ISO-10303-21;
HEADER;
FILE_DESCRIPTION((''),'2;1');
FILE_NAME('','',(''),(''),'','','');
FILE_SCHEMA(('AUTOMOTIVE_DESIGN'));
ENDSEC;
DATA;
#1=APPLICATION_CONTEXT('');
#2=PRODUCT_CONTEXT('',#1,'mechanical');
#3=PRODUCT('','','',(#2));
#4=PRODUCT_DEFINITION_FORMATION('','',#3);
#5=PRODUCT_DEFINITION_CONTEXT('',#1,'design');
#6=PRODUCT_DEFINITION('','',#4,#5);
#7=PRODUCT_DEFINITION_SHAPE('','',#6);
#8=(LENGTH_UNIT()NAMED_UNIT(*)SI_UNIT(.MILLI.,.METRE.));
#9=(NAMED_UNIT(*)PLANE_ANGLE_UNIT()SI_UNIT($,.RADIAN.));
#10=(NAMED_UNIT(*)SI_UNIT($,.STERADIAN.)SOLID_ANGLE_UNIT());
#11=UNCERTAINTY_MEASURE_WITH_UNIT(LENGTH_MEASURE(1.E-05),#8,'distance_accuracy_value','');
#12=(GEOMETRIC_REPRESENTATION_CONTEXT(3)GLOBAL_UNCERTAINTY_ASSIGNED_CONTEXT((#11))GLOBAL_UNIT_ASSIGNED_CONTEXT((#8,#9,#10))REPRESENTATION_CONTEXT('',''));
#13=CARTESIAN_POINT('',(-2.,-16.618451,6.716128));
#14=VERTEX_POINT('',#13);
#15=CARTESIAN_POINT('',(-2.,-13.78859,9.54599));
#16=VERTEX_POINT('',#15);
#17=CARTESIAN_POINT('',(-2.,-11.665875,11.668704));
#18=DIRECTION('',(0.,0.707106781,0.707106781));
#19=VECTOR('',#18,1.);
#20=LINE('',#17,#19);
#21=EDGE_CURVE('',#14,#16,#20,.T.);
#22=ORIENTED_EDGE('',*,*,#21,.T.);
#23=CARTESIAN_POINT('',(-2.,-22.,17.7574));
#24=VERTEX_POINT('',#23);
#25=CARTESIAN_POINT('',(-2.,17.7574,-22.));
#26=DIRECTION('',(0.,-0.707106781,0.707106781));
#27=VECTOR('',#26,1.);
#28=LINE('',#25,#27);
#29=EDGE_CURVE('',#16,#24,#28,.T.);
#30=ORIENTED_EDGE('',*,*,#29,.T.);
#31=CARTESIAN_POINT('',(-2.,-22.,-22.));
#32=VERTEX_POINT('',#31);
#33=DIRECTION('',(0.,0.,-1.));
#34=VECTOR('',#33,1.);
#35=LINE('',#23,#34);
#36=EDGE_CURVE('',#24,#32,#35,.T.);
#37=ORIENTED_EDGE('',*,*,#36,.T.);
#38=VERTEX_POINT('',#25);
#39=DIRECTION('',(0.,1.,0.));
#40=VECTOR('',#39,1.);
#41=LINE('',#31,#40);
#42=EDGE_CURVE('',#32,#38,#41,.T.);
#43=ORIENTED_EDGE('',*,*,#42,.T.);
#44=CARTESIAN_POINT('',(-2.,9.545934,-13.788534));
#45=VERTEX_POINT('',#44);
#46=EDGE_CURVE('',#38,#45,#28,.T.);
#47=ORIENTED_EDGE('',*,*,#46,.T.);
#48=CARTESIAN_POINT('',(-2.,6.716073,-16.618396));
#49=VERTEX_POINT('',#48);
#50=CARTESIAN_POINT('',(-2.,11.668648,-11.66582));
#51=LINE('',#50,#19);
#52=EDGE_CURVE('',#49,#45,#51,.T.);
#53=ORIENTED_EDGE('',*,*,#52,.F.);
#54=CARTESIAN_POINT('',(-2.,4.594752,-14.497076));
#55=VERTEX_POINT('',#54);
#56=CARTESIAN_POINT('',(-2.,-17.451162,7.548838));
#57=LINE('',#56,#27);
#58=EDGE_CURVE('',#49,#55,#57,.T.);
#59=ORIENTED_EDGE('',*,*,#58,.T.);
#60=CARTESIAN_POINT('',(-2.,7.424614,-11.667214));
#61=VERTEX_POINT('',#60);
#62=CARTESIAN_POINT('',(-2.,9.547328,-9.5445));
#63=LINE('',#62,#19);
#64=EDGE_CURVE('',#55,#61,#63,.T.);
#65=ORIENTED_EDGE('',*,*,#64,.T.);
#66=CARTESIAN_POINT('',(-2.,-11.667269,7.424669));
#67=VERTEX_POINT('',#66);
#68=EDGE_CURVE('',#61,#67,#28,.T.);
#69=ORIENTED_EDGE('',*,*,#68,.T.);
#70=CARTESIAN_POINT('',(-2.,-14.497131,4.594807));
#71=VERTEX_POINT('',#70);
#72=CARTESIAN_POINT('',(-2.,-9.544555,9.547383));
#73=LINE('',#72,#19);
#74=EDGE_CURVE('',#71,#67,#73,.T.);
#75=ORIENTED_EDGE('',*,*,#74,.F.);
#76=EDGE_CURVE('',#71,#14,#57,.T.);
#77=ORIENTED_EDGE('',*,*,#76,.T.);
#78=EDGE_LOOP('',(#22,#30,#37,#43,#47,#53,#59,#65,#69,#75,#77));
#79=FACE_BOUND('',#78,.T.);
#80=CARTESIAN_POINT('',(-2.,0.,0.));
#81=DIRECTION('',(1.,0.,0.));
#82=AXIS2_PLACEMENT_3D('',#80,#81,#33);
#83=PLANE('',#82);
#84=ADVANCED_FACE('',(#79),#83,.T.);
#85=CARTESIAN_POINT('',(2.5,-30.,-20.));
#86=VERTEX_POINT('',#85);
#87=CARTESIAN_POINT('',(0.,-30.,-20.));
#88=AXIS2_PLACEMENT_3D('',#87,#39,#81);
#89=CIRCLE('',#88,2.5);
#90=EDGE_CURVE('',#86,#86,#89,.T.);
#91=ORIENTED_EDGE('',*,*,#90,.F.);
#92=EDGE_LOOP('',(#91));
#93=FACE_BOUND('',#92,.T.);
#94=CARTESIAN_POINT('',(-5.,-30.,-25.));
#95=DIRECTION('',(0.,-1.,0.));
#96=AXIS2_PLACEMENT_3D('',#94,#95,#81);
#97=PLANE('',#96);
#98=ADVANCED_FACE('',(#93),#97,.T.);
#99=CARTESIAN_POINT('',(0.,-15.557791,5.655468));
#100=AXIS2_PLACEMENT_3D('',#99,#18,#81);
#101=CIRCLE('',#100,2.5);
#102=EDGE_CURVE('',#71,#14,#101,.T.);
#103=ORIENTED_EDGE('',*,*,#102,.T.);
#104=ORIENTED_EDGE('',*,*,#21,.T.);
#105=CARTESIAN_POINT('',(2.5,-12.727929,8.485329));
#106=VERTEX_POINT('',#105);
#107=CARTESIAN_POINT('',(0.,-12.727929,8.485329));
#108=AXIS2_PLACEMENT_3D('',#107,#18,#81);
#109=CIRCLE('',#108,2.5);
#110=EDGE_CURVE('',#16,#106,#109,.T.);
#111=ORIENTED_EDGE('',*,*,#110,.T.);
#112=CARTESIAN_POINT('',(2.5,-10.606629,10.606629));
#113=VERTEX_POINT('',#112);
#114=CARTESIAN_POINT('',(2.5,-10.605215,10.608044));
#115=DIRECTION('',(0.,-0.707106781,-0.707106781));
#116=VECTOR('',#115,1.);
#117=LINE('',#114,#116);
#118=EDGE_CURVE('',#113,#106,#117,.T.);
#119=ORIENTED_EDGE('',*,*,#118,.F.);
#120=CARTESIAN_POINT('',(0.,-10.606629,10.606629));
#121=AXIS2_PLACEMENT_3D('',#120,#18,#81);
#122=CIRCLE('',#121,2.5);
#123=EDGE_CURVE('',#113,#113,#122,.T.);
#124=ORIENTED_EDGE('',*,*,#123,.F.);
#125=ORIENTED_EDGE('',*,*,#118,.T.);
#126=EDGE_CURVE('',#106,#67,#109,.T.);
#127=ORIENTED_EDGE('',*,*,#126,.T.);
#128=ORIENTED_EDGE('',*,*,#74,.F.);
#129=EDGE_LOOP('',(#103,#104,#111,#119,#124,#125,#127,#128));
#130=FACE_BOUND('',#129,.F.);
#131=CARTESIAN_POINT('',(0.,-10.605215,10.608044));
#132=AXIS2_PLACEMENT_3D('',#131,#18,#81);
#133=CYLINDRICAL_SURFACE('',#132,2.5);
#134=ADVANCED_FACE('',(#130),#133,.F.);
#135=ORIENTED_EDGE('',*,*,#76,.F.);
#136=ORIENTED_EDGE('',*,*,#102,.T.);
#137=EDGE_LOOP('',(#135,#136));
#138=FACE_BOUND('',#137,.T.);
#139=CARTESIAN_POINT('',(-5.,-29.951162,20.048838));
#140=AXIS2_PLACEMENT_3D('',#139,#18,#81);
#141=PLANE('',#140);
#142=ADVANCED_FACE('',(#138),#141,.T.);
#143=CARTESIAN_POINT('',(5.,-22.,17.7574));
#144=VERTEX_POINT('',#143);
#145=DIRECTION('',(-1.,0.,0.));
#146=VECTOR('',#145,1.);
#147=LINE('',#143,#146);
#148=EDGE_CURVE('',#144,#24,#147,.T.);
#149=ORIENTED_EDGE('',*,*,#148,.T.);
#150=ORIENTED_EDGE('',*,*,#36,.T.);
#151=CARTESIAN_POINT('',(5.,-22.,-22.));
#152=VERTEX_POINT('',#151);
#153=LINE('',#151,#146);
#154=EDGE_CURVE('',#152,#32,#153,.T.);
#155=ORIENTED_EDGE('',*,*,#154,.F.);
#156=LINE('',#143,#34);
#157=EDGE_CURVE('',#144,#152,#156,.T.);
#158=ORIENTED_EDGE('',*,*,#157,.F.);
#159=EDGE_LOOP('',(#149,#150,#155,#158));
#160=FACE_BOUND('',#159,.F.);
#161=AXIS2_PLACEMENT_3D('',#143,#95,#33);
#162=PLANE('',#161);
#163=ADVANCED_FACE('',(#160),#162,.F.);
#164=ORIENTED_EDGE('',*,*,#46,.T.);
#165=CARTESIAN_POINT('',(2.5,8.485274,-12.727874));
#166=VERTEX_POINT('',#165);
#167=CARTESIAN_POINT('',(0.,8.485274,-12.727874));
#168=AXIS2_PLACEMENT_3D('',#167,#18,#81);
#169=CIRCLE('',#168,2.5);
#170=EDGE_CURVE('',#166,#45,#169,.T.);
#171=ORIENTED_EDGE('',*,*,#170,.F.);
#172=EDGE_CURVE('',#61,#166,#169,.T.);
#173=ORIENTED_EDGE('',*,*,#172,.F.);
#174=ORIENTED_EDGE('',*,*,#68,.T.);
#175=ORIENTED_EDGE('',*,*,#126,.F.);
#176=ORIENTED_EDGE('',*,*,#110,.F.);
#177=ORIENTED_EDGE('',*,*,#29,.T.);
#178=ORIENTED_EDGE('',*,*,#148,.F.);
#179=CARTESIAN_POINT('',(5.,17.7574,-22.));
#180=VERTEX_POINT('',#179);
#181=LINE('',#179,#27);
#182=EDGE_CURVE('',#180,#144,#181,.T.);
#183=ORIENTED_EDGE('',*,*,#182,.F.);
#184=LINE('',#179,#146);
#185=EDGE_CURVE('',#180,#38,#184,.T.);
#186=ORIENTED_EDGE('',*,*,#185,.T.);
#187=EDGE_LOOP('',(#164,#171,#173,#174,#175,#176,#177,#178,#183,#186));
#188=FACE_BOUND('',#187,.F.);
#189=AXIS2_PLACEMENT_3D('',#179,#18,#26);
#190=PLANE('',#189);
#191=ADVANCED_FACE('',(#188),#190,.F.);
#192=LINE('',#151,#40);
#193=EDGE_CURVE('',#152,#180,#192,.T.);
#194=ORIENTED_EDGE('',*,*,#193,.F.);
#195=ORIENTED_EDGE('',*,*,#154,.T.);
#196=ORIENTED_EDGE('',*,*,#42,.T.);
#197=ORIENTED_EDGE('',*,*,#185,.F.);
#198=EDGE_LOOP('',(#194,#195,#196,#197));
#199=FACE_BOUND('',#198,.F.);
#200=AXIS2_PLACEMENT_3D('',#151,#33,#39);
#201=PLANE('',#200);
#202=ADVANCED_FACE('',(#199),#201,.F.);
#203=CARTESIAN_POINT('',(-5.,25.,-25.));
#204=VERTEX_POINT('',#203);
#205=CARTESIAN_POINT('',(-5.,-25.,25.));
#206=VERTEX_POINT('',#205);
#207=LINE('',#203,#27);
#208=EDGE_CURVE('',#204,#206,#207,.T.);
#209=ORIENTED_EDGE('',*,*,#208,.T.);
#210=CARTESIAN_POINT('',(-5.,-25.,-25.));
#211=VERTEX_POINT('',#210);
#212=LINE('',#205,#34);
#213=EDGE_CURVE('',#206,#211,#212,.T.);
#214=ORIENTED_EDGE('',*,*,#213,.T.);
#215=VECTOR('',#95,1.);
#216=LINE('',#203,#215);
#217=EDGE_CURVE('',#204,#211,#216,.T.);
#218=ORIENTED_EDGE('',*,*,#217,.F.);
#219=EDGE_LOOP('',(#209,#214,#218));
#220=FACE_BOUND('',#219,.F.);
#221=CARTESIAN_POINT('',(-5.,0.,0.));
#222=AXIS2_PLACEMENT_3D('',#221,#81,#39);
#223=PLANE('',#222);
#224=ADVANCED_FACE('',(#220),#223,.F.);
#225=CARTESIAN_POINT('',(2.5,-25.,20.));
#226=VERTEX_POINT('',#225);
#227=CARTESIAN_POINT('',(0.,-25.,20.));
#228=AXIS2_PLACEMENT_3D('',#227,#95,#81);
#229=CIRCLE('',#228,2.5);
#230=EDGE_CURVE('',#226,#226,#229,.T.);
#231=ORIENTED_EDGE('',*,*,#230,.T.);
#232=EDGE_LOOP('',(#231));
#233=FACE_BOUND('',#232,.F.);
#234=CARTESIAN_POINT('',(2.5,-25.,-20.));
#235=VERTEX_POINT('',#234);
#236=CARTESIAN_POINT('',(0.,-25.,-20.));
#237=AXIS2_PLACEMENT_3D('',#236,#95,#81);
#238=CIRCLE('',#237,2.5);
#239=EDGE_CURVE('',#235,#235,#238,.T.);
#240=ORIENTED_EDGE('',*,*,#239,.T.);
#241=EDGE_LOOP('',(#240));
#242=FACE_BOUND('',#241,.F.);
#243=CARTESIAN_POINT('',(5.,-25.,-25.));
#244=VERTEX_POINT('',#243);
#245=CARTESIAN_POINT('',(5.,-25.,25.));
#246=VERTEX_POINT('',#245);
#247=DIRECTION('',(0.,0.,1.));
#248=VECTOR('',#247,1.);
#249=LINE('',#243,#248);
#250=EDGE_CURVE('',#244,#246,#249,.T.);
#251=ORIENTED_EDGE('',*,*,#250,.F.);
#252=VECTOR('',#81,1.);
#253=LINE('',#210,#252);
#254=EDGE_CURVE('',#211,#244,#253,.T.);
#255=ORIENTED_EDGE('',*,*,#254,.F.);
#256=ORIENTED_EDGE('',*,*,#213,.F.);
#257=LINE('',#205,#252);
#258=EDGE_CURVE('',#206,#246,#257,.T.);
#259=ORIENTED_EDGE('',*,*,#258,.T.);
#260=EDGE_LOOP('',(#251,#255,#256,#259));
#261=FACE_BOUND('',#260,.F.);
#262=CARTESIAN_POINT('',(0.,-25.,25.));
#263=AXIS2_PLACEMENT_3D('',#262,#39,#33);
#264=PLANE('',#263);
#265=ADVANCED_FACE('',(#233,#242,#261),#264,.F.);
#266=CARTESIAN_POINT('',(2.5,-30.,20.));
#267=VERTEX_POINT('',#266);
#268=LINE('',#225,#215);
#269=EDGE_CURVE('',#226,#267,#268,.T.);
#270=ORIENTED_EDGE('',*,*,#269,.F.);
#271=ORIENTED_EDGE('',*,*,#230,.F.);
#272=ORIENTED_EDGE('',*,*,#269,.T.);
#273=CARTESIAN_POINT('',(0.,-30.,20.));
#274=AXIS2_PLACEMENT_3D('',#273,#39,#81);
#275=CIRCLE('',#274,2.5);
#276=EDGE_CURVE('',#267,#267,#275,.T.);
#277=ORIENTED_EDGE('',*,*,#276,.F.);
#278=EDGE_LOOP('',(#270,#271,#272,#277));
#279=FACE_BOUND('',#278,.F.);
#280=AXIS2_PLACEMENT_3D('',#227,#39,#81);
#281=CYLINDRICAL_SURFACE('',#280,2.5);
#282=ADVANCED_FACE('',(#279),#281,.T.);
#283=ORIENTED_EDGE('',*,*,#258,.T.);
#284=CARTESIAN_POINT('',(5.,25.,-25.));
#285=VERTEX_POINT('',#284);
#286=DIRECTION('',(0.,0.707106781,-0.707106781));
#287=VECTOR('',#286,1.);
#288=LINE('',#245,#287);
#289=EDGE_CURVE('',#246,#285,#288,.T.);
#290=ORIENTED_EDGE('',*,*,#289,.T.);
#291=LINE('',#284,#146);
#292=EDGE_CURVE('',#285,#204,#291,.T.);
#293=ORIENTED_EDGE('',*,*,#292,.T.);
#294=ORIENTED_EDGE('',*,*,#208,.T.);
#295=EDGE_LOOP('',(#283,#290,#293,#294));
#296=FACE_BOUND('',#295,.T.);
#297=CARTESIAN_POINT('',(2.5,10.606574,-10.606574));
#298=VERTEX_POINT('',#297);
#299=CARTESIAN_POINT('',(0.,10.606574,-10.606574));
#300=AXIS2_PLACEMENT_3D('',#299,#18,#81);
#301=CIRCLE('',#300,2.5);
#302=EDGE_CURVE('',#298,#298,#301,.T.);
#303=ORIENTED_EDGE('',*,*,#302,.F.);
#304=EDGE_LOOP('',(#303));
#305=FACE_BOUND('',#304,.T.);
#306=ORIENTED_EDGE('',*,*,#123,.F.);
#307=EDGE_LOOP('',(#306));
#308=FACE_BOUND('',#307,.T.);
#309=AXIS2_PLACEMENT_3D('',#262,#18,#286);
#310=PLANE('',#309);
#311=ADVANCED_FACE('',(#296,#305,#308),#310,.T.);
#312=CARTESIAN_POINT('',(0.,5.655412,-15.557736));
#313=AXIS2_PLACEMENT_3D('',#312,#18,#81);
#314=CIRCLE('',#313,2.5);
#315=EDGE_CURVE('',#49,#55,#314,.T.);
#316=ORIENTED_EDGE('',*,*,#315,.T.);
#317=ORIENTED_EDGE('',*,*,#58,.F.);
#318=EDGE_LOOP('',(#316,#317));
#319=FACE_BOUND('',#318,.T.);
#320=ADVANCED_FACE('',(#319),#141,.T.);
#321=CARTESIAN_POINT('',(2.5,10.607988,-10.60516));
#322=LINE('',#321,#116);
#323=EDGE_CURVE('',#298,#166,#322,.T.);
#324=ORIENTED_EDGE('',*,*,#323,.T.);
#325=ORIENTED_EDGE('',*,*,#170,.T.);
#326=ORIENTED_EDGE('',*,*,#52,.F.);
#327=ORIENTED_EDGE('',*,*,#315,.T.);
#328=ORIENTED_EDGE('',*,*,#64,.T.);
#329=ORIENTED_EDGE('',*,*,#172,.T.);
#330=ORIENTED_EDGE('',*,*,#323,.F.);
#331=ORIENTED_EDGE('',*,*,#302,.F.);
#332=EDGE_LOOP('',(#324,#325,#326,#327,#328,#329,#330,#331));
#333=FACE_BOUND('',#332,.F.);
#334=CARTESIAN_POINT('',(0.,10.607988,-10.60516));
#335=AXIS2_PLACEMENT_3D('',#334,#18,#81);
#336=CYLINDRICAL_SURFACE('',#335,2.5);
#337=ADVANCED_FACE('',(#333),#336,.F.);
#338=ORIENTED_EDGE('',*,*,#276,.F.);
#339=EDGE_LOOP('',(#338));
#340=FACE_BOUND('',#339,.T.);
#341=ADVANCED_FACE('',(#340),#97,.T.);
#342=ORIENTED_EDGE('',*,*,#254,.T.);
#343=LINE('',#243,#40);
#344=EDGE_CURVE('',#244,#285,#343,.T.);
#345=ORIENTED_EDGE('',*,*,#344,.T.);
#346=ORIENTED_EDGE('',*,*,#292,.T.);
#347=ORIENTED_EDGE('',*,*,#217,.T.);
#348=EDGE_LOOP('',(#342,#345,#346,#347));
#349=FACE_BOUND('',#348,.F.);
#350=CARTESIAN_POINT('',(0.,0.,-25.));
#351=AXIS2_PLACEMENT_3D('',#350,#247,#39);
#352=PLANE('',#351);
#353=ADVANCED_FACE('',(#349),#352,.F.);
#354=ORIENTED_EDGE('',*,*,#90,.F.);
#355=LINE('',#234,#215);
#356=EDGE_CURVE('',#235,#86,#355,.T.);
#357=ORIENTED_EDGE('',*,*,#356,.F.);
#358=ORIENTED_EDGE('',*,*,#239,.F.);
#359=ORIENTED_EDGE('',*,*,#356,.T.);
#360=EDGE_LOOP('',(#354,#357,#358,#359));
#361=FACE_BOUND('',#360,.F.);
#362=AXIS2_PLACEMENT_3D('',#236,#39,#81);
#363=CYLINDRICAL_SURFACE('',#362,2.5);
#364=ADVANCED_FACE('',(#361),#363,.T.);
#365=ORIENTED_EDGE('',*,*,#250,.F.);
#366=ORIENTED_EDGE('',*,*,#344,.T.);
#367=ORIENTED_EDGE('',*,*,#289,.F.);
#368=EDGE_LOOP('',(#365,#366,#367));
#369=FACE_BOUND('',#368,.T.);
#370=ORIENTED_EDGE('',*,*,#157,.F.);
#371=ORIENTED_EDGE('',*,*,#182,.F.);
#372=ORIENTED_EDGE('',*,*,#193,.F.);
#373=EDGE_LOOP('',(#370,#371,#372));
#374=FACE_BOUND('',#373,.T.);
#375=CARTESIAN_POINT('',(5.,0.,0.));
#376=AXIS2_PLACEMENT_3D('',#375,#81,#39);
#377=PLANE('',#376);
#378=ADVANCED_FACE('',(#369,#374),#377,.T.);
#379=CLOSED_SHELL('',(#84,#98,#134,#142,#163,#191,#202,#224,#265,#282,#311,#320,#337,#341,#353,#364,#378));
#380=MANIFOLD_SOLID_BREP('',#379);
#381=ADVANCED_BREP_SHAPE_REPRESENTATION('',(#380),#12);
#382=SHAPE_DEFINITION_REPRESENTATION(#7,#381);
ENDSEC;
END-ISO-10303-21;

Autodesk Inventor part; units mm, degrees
sketch "Sketch2" plane through (0, 0, 0) normal (1, 0, 0) x (0, 1, 0)
  line L0 (25, 25) -> (-25, 25)
  line L1 (-25, 25) -> (-25, -25)
  line L2 (-25, -25) -> (25, -25)
  line L3 (25, -25) -> (25, 25)
  line L4 (-35, 0) -> (35, 0) projected
  line L5 (0, 35) -> (0, -35) projected
  line L6 (-25, 25) -> (25, -25)
  point P0 (0, 0)
  point P1 (25, 0)
  point P2 (0, 25)
  dimension "d0" = 50
  dimension "d1" = 50
extrude "Extrusion1" add sketch "Sketch2" along normal mid plane 10 contours L6 L4 L1 | L5 L2 L1 L4 | L6 L2 L5
sketch "Sketch4" plane through (5, 0, 0) normal (1, 0, 0) x (0, 0, -1)
  line L0 (25, 25) -> (-25, -25) projected
  line L1 (25, -25) -> (25, 25) projected
  line L2 (-25, -25) -> (25, -25) projected
  line L3 (22, 17.7574) -> (-17.7574, -22)
  line L4 (-17.7574, -22) -> (22, -22)
  line L5 (22, -22) -> (22, 17.7574)
  point P0 (0, 0)
  dimension "d8" = 3
extrude "Extrusion2" cut sketch "Sketch4" against normal blind 7 contours L5 L4 L3
sketch "Sketch5" plane through (-5, -25, -25) normal (0, -1, 0) x (1, 0, 0)
  line L0 (5, 60) -> (5, -10) projected
  circle A0 centre (5, 45) radius 2.5
  line L1 (10, 50) -> (0, 50) projected
  circle A1 centre (5, 5) radius 2.5
  point P0 (5, 25)
  dimension "d11" = 5
  dimension "d12" = 5
  dimension "d15" = 40
extrude "Extrusion3" add sketch "Sketch5" along normal blind 5
sketch "Sketch8" plane through (-5, -25, 25) normal (0, 0.7071, 0.7071) x (1, 0, 0)
  line L0 (10, 0) -> (0, 0) projected
  line L1 (0, 70.7107) -> (10, 70.7107) projected
  circle A0 centre (5, 50.3553) radius 2.5
  line L2 (5, 84.8528) -> (5, -14.1421) projected
  line L3 (-2, 35.3553) -> (12, 35.3553) projected
  circle A1 centre (5, 20.3553) radius 2.5
  point P0 (5, 35.3553)
  dimension "d31" = 70.7107
  dimension "d32" = 5
  dimension "d34" = 15
extrude "Extrusion4" cut sketch "Sketch8" against normal blind 7
properties part number "Roof_Wall_Small"
